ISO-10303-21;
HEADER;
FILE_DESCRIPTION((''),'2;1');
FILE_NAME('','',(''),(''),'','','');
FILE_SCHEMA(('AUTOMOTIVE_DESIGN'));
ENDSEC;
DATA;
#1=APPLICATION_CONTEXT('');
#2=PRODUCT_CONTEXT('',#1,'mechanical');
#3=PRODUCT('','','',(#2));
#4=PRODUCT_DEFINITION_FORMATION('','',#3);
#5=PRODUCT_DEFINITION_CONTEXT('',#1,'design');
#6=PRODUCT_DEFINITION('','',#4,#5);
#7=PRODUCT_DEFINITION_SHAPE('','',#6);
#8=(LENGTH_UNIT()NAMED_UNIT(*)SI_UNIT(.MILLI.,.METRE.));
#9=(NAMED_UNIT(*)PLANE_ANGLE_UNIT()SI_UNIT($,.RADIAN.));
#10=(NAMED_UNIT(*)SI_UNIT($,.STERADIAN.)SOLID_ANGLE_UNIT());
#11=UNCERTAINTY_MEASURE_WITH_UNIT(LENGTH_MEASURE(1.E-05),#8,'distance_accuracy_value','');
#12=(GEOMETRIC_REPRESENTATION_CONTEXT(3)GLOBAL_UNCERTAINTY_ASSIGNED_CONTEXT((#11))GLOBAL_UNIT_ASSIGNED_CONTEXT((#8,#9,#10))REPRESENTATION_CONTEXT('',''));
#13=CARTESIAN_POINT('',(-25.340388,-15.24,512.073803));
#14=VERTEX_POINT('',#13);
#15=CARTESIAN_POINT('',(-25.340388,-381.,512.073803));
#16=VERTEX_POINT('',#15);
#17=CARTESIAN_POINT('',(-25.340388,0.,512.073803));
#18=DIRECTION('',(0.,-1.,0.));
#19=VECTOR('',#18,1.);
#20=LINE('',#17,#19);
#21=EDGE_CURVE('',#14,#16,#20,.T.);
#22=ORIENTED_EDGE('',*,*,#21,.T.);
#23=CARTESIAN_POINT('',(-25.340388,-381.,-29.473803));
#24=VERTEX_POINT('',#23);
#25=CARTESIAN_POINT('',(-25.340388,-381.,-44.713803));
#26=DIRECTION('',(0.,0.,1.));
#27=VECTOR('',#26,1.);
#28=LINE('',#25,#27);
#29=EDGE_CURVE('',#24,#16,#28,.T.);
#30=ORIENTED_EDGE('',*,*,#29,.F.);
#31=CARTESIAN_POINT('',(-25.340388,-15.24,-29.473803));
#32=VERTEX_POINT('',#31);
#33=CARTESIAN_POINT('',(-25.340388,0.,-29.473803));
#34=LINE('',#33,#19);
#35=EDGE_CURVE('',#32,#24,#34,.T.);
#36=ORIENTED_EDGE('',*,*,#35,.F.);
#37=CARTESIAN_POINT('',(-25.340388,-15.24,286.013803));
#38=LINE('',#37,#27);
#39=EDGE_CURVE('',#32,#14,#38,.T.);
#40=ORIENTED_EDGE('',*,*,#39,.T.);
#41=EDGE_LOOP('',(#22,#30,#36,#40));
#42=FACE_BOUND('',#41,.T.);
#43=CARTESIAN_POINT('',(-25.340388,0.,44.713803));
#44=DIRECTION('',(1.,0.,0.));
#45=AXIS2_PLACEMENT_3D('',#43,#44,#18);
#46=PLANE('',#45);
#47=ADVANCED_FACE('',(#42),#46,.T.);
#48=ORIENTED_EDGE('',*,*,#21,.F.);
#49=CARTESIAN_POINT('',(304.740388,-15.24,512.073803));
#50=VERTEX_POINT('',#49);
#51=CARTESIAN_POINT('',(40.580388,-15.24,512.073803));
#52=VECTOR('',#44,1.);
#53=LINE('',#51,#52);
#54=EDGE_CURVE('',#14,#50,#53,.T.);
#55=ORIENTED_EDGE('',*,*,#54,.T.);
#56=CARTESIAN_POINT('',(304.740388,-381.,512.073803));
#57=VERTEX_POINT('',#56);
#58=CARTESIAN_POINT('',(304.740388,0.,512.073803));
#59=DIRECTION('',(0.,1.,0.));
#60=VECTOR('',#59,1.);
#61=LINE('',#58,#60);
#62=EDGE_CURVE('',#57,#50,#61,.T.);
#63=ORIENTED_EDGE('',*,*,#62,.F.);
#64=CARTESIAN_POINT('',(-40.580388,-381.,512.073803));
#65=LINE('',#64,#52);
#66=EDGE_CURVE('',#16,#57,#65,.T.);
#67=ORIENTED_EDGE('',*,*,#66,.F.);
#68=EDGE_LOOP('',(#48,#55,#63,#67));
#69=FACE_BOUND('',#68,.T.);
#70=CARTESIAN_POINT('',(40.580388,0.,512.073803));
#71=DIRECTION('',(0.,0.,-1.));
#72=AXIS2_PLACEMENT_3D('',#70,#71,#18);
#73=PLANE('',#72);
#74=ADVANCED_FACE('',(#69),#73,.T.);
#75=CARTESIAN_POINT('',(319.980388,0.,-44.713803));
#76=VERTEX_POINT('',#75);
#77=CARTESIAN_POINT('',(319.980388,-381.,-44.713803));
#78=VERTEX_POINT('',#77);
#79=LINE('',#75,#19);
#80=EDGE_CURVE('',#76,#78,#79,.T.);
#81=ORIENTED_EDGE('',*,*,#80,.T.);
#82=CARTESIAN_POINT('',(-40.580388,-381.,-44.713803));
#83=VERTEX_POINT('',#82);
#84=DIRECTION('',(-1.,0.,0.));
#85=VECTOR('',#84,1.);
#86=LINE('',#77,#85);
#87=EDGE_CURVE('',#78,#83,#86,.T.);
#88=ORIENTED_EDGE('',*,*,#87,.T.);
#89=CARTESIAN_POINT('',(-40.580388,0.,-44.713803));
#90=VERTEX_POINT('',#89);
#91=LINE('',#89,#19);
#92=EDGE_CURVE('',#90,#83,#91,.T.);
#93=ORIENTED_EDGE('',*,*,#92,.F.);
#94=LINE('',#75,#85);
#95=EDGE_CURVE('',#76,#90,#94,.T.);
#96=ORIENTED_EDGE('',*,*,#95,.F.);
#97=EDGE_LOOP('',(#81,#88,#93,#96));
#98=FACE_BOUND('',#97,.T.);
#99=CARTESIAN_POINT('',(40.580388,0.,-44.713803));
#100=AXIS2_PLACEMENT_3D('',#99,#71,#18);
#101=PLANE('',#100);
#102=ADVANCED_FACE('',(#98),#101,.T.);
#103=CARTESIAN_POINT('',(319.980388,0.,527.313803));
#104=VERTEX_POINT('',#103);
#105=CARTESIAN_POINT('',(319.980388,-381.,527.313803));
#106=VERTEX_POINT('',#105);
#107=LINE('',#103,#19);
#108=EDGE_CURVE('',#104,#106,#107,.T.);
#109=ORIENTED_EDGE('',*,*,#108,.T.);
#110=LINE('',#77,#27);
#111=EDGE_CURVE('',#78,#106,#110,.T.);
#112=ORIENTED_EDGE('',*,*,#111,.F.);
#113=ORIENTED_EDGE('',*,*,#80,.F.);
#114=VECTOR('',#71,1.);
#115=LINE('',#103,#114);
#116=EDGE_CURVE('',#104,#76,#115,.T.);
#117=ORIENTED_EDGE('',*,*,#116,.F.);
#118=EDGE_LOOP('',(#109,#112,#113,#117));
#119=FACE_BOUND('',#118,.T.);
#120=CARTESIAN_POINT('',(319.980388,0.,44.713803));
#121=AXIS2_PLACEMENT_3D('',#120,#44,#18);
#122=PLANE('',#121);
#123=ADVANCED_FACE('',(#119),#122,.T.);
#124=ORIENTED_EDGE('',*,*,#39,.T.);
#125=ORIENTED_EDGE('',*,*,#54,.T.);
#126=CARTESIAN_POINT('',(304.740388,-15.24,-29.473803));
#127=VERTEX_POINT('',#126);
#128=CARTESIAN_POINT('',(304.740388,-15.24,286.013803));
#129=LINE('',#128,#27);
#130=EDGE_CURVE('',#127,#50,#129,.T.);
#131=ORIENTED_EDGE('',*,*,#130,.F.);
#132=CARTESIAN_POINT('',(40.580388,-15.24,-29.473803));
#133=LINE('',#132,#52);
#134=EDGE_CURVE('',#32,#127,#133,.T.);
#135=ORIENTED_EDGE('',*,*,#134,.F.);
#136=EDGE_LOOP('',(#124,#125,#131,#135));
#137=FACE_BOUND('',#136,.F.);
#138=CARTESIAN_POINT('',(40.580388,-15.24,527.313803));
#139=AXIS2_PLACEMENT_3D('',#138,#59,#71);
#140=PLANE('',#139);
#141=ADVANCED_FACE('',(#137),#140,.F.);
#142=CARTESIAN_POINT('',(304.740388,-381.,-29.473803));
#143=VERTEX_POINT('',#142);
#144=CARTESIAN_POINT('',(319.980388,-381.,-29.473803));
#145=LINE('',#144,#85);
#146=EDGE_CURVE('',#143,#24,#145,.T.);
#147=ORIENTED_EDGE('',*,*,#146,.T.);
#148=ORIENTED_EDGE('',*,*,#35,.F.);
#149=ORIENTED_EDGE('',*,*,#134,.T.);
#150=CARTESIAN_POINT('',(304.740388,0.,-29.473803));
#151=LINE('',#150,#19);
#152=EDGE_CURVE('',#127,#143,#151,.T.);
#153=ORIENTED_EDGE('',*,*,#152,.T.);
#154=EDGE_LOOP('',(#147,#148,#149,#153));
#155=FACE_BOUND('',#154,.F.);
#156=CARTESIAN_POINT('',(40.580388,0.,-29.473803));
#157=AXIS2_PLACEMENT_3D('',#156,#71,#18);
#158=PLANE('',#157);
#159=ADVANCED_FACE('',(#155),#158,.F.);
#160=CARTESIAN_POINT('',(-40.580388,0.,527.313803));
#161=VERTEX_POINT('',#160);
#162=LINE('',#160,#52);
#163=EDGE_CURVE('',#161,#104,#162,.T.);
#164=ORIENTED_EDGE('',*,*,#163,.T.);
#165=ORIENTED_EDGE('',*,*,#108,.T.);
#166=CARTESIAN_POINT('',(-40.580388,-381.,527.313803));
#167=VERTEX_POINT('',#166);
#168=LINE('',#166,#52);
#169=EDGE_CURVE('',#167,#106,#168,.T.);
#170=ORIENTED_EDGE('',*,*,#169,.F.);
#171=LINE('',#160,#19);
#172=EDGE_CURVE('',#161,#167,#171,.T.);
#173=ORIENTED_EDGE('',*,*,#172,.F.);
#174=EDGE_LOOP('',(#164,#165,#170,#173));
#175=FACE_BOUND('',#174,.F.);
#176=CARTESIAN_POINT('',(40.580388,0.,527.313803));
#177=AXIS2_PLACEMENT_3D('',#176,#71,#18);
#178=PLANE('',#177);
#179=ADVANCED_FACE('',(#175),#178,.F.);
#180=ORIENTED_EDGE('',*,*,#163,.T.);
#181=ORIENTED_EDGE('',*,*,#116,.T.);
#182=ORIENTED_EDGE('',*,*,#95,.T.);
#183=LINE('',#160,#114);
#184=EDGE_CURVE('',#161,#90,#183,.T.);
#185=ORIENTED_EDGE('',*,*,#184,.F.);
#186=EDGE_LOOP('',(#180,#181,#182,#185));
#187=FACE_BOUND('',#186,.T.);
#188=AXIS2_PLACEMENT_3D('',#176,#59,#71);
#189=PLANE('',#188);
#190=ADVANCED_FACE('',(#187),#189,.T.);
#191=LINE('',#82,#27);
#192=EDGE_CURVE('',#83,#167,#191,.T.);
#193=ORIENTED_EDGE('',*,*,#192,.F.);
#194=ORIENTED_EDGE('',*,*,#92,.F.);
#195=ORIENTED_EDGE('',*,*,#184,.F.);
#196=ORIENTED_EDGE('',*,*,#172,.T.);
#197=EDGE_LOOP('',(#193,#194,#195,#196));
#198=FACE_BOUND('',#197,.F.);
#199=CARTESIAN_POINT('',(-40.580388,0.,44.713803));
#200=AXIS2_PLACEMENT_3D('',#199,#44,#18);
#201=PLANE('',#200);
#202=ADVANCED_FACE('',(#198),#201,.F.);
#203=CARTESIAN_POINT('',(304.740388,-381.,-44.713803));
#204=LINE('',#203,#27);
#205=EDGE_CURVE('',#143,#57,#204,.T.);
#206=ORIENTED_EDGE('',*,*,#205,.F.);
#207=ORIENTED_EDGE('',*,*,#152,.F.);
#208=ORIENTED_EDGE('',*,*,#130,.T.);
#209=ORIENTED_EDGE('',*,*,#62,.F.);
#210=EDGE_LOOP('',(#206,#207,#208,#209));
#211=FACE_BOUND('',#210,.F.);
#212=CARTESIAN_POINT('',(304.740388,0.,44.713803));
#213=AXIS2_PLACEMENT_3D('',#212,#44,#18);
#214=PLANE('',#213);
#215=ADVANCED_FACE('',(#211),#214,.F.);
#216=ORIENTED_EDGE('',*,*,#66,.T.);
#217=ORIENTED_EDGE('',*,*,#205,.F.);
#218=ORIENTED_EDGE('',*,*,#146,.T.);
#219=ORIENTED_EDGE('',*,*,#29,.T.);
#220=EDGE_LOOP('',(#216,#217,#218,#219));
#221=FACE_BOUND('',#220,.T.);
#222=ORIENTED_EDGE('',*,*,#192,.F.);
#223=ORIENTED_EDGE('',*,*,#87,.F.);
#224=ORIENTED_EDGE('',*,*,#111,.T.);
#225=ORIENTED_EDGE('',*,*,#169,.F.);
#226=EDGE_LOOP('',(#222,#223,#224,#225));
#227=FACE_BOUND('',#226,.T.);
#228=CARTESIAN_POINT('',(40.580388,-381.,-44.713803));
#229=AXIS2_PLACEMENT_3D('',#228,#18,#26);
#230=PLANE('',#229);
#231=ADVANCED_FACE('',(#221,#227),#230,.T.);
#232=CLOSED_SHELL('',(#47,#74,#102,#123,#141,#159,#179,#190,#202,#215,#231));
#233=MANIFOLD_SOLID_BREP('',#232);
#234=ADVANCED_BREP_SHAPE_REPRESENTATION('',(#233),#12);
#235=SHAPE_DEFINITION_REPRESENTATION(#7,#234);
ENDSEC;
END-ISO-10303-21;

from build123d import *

# Parameters (mm, degrees)
F0_W     = 81.1607763171
F0_H     = 89.4276052713
F1_DEPTH = 381
F2_DEPTH = 482.6
F3_DEPTH = 279.4
F4_T     = -15.24


with BuildPart() as f1:
    # F0 (on Front) → F1 (new body)
    with BuildSketch(Plane.XZ):
        Rectangle(F0_W, F0_H)
    extrude(amount=F1_DEPTH)

    # F2 (add): a face of the model
    f2_faces = [f1.faces().sort_by_distance(p)[0] for p in [
        (0, -190.5, 44.7138026357),
    ]]
    extrude(f2_faces, amount=F2_DEPTH)

    # F3 (add): a face of the model
    f3_faces = [f1.faces().sort_by_distance(p)[0] for p in [
        (40.5803881586, -190.5, 241.3),
    ]]
    extrude(f3_faces, amount=F3_DEPTH)

    # F4
    f4_openings = [f1.faces().sort_by_distance(p)[0] for p in [
        (139.7, -381, 241.3),
    ]]
    offset(amount=F4_T, openings=f4_openings)


solid = f1.part
